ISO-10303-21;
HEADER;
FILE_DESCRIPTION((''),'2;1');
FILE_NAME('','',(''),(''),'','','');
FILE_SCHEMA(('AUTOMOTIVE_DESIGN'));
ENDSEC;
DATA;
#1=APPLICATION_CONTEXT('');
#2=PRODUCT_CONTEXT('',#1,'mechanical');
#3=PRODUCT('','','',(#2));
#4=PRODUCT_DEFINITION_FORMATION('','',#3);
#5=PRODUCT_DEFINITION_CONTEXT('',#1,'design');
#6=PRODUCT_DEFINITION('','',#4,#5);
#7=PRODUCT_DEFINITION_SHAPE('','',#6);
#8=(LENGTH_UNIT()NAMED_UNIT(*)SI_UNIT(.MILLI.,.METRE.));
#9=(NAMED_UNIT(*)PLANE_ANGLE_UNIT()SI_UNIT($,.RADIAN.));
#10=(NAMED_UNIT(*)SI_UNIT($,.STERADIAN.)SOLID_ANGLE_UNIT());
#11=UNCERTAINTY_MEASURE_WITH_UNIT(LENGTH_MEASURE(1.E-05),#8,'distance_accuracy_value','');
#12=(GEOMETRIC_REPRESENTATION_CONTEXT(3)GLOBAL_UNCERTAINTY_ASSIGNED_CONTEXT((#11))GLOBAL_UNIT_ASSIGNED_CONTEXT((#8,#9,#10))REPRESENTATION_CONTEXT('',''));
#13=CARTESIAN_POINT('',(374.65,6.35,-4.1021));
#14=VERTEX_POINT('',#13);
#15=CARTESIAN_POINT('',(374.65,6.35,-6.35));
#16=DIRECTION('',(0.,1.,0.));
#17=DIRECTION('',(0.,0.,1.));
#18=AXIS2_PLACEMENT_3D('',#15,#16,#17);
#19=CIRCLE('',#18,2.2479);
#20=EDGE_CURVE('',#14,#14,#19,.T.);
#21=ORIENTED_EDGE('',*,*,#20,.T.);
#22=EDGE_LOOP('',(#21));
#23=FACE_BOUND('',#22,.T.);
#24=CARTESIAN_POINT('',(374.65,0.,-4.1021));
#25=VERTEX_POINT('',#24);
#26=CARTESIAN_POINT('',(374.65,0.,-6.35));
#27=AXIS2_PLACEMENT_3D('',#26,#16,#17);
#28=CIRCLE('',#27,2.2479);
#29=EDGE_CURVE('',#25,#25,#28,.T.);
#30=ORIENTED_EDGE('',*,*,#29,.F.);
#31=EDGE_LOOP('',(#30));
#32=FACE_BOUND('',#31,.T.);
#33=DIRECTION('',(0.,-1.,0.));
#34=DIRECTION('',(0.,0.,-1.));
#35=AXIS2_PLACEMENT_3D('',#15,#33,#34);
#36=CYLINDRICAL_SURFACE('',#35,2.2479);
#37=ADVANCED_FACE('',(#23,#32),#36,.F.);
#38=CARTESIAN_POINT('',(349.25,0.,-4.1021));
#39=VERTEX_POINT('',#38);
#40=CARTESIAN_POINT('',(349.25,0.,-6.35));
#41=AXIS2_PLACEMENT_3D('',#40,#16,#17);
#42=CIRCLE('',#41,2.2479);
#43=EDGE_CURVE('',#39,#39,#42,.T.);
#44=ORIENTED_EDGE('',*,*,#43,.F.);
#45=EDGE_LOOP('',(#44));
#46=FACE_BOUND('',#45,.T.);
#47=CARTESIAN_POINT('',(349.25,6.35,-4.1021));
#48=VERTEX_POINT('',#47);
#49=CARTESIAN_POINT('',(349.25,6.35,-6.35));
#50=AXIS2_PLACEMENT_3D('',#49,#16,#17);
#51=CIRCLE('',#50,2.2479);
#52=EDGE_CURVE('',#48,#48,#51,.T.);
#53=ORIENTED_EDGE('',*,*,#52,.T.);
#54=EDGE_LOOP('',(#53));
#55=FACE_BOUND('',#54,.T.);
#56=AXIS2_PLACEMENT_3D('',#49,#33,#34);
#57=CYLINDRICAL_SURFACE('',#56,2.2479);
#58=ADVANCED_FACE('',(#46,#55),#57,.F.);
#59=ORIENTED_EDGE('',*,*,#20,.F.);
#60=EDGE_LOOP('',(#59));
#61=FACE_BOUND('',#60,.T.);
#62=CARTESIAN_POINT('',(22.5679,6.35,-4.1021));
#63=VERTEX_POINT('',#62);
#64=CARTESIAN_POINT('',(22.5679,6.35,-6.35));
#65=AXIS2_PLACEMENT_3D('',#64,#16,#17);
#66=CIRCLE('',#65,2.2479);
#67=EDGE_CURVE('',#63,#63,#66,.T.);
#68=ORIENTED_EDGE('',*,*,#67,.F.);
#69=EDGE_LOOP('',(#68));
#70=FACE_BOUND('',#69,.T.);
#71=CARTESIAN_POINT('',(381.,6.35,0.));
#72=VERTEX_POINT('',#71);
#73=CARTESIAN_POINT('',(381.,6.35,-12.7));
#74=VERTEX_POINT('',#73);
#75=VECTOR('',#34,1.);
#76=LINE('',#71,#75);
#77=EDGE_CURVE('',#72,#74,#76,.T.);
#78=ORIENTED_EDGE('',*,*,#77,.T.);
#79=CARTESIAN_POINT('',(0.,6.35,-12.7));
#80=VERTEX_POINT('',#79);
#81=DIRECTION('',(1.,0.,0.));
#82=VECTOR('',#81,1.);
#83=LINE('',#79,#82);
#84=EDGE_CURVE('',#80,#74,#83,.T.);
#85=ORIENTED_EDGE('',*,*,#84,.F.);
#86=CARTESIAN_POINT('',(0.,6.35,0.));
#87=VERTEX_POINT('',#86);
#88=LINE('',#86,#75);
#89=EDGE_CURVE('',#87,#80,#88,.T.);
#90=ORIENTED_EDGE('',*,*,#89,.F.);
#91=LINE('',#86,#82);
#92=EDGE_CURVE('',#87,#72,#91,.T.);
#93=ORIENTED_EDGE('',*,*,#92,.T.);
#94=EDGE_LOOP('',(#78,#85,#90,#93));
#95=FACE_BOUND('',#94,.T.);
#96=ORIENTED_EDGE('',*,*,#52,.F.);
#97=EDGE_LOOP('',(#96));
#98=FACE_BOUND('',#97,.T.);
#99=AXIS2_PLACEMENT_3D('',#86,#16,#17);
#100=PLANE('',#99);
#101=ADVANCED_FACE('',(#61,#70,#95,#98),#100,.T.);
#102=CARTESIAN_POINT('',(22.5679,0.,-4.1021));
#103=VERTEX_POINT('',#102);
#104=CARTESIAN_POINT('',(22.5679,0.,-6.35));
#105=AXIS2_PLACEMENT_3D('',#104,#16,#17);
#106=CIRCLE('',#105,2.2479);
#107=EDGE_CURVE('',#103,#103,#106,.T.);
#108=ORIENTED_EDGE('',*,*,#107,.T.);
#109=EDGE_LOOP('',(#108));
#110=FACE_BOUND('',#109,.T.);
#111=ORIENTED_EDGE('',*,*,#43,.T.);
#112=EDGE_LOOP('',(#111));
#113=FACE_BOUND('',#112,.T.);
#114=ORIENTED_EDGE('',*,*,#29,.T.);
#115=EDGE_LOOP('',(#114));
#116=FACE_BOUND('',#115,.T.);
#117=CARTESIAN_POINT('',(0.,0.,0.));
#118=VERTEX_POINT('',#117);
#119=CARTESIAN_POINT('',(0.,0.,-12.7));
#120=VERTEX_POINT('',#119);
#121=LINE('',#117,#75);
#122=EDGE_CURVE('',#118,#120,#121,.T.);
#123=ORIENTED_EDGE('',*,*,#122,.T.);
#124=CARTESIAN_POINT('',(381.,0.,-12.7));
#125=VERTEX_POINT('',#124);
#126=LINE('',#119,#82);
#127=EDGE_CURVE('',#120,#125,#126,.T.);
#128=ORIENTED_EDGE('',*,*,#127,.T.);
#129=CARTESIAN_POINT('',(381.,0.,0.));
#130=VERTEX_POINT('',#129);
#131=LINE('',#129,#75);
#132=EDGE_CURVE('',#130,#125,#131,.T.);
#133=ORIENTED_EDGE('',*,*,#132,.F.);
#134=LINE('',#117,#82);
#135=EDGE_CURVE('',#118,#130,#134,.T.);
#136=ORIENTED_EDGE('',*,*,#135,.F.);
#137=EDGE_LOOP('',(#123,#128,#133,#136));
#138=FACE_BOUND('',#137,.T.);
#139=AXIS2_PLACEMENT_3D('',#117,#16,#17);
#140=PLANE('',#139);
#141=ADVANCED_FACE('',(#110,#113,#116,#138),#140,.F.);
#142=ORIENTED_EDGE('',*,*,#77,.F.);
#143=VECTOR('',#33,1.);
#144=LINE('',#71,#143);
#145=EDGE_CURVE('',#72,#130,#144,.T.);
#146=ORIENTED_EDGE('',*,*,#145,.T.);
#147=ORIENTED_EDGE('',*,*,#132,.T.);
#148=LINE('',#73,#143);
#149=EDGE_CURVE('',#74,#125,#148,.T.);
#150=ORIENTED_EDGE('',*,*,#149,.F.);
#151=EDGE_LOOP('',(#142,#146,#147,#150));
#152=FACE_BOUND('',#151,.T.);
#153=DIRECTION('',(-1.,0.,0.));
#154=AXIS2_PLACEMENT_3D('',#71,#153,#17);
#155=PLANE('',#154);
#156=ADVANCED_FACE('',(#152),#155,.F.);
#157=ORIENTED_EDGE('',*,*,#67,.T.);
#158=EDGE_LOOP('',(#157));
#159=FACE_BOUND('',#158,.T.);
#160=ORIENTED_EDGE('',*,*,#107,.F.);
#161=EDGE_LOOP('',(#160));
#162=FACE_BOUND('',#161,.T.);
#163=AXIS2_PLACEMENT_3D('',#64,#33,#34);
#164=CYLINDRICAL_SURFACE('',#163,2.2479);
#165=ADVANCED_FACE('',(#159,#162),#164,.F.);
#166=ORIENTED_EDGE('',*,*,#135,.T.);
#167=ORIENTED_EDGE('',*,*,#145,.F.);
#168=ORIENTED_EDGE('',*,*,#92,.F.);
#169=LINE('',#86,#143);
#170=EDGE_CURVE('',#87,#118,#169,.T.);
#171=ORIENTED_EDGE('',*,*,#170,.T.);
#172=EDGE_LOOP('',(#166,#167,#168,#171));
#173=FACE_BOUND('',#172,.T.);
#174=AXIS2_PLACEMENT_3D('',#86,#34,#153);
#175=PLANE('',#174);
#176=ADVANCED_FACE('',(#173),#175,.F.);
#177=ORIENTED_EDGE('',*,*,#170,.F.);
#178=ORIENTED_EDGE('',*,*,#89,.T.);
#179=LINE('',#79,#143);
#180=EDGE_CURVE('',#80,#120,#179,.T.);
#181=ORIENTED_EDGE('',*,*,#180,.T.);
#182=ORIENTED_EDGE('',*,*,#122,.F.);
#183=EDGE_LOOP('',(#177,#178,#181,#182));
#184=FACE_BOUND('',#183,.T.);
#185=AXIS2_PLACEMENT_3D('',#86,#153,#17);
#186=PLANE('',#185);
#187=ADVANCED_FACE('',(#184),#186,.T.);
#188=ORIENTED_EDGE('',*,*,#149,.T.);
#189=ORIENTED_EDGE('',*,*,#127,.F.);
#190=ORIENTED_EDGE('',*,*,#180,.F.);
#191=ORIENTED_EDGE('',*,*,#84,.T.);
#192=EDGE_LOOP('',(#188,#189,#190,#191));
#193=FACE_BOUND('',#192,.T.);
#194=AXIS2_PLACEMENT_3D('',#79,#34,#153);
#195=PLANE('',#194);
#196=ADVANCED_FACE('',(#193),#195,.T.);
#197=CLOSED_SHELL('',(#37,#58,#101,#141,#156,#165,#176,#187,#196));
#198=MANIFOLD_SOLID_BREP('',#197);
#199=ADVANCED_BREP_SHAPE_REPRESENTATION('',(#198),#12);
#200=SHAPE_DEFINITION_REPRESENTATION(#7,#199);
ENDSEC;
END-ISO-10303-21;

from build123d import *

# Parameters (mm, degrees)
SKETCH1_W           = 381
SKETCH1_H           = 12.7
SKETCH1_R           = 2.2479
BOSS_EXTRUDE2_DEPTH = 6.35


with BuildPart() as part:
    # Sketch1 → Boss-Extrude2 (new body)
    with BuildSketch(Plane(origin=(0, 0, 0), x_dir=(1, 0, 0), z_dir=(0, 1, 0))):
        with Locations((190.5, 6.35)):
            Rectangle(SKETCH1_W, SKETCH1_H)
        with Locations(Location((22.5679, 6.35, 0), (0, 0, 270))):
            Circle(SKETCH1_R, mode=Mode.SUBTRACT)
        with Locations(Location((349.25, 6.35, 0), (0, 0, 270))):
            Circle(SKETCH1_R, mode=Mode.SUBTRACT)
        with Locations(Location((374.65, 6.35, 0), (0, 0, 270))):
            Circle(SKETCH1_R, mode=Mode.SUBTRACT)
    extrude(amount=BOSS_EXTRUDE2_DEPTH)


solid = part.part
